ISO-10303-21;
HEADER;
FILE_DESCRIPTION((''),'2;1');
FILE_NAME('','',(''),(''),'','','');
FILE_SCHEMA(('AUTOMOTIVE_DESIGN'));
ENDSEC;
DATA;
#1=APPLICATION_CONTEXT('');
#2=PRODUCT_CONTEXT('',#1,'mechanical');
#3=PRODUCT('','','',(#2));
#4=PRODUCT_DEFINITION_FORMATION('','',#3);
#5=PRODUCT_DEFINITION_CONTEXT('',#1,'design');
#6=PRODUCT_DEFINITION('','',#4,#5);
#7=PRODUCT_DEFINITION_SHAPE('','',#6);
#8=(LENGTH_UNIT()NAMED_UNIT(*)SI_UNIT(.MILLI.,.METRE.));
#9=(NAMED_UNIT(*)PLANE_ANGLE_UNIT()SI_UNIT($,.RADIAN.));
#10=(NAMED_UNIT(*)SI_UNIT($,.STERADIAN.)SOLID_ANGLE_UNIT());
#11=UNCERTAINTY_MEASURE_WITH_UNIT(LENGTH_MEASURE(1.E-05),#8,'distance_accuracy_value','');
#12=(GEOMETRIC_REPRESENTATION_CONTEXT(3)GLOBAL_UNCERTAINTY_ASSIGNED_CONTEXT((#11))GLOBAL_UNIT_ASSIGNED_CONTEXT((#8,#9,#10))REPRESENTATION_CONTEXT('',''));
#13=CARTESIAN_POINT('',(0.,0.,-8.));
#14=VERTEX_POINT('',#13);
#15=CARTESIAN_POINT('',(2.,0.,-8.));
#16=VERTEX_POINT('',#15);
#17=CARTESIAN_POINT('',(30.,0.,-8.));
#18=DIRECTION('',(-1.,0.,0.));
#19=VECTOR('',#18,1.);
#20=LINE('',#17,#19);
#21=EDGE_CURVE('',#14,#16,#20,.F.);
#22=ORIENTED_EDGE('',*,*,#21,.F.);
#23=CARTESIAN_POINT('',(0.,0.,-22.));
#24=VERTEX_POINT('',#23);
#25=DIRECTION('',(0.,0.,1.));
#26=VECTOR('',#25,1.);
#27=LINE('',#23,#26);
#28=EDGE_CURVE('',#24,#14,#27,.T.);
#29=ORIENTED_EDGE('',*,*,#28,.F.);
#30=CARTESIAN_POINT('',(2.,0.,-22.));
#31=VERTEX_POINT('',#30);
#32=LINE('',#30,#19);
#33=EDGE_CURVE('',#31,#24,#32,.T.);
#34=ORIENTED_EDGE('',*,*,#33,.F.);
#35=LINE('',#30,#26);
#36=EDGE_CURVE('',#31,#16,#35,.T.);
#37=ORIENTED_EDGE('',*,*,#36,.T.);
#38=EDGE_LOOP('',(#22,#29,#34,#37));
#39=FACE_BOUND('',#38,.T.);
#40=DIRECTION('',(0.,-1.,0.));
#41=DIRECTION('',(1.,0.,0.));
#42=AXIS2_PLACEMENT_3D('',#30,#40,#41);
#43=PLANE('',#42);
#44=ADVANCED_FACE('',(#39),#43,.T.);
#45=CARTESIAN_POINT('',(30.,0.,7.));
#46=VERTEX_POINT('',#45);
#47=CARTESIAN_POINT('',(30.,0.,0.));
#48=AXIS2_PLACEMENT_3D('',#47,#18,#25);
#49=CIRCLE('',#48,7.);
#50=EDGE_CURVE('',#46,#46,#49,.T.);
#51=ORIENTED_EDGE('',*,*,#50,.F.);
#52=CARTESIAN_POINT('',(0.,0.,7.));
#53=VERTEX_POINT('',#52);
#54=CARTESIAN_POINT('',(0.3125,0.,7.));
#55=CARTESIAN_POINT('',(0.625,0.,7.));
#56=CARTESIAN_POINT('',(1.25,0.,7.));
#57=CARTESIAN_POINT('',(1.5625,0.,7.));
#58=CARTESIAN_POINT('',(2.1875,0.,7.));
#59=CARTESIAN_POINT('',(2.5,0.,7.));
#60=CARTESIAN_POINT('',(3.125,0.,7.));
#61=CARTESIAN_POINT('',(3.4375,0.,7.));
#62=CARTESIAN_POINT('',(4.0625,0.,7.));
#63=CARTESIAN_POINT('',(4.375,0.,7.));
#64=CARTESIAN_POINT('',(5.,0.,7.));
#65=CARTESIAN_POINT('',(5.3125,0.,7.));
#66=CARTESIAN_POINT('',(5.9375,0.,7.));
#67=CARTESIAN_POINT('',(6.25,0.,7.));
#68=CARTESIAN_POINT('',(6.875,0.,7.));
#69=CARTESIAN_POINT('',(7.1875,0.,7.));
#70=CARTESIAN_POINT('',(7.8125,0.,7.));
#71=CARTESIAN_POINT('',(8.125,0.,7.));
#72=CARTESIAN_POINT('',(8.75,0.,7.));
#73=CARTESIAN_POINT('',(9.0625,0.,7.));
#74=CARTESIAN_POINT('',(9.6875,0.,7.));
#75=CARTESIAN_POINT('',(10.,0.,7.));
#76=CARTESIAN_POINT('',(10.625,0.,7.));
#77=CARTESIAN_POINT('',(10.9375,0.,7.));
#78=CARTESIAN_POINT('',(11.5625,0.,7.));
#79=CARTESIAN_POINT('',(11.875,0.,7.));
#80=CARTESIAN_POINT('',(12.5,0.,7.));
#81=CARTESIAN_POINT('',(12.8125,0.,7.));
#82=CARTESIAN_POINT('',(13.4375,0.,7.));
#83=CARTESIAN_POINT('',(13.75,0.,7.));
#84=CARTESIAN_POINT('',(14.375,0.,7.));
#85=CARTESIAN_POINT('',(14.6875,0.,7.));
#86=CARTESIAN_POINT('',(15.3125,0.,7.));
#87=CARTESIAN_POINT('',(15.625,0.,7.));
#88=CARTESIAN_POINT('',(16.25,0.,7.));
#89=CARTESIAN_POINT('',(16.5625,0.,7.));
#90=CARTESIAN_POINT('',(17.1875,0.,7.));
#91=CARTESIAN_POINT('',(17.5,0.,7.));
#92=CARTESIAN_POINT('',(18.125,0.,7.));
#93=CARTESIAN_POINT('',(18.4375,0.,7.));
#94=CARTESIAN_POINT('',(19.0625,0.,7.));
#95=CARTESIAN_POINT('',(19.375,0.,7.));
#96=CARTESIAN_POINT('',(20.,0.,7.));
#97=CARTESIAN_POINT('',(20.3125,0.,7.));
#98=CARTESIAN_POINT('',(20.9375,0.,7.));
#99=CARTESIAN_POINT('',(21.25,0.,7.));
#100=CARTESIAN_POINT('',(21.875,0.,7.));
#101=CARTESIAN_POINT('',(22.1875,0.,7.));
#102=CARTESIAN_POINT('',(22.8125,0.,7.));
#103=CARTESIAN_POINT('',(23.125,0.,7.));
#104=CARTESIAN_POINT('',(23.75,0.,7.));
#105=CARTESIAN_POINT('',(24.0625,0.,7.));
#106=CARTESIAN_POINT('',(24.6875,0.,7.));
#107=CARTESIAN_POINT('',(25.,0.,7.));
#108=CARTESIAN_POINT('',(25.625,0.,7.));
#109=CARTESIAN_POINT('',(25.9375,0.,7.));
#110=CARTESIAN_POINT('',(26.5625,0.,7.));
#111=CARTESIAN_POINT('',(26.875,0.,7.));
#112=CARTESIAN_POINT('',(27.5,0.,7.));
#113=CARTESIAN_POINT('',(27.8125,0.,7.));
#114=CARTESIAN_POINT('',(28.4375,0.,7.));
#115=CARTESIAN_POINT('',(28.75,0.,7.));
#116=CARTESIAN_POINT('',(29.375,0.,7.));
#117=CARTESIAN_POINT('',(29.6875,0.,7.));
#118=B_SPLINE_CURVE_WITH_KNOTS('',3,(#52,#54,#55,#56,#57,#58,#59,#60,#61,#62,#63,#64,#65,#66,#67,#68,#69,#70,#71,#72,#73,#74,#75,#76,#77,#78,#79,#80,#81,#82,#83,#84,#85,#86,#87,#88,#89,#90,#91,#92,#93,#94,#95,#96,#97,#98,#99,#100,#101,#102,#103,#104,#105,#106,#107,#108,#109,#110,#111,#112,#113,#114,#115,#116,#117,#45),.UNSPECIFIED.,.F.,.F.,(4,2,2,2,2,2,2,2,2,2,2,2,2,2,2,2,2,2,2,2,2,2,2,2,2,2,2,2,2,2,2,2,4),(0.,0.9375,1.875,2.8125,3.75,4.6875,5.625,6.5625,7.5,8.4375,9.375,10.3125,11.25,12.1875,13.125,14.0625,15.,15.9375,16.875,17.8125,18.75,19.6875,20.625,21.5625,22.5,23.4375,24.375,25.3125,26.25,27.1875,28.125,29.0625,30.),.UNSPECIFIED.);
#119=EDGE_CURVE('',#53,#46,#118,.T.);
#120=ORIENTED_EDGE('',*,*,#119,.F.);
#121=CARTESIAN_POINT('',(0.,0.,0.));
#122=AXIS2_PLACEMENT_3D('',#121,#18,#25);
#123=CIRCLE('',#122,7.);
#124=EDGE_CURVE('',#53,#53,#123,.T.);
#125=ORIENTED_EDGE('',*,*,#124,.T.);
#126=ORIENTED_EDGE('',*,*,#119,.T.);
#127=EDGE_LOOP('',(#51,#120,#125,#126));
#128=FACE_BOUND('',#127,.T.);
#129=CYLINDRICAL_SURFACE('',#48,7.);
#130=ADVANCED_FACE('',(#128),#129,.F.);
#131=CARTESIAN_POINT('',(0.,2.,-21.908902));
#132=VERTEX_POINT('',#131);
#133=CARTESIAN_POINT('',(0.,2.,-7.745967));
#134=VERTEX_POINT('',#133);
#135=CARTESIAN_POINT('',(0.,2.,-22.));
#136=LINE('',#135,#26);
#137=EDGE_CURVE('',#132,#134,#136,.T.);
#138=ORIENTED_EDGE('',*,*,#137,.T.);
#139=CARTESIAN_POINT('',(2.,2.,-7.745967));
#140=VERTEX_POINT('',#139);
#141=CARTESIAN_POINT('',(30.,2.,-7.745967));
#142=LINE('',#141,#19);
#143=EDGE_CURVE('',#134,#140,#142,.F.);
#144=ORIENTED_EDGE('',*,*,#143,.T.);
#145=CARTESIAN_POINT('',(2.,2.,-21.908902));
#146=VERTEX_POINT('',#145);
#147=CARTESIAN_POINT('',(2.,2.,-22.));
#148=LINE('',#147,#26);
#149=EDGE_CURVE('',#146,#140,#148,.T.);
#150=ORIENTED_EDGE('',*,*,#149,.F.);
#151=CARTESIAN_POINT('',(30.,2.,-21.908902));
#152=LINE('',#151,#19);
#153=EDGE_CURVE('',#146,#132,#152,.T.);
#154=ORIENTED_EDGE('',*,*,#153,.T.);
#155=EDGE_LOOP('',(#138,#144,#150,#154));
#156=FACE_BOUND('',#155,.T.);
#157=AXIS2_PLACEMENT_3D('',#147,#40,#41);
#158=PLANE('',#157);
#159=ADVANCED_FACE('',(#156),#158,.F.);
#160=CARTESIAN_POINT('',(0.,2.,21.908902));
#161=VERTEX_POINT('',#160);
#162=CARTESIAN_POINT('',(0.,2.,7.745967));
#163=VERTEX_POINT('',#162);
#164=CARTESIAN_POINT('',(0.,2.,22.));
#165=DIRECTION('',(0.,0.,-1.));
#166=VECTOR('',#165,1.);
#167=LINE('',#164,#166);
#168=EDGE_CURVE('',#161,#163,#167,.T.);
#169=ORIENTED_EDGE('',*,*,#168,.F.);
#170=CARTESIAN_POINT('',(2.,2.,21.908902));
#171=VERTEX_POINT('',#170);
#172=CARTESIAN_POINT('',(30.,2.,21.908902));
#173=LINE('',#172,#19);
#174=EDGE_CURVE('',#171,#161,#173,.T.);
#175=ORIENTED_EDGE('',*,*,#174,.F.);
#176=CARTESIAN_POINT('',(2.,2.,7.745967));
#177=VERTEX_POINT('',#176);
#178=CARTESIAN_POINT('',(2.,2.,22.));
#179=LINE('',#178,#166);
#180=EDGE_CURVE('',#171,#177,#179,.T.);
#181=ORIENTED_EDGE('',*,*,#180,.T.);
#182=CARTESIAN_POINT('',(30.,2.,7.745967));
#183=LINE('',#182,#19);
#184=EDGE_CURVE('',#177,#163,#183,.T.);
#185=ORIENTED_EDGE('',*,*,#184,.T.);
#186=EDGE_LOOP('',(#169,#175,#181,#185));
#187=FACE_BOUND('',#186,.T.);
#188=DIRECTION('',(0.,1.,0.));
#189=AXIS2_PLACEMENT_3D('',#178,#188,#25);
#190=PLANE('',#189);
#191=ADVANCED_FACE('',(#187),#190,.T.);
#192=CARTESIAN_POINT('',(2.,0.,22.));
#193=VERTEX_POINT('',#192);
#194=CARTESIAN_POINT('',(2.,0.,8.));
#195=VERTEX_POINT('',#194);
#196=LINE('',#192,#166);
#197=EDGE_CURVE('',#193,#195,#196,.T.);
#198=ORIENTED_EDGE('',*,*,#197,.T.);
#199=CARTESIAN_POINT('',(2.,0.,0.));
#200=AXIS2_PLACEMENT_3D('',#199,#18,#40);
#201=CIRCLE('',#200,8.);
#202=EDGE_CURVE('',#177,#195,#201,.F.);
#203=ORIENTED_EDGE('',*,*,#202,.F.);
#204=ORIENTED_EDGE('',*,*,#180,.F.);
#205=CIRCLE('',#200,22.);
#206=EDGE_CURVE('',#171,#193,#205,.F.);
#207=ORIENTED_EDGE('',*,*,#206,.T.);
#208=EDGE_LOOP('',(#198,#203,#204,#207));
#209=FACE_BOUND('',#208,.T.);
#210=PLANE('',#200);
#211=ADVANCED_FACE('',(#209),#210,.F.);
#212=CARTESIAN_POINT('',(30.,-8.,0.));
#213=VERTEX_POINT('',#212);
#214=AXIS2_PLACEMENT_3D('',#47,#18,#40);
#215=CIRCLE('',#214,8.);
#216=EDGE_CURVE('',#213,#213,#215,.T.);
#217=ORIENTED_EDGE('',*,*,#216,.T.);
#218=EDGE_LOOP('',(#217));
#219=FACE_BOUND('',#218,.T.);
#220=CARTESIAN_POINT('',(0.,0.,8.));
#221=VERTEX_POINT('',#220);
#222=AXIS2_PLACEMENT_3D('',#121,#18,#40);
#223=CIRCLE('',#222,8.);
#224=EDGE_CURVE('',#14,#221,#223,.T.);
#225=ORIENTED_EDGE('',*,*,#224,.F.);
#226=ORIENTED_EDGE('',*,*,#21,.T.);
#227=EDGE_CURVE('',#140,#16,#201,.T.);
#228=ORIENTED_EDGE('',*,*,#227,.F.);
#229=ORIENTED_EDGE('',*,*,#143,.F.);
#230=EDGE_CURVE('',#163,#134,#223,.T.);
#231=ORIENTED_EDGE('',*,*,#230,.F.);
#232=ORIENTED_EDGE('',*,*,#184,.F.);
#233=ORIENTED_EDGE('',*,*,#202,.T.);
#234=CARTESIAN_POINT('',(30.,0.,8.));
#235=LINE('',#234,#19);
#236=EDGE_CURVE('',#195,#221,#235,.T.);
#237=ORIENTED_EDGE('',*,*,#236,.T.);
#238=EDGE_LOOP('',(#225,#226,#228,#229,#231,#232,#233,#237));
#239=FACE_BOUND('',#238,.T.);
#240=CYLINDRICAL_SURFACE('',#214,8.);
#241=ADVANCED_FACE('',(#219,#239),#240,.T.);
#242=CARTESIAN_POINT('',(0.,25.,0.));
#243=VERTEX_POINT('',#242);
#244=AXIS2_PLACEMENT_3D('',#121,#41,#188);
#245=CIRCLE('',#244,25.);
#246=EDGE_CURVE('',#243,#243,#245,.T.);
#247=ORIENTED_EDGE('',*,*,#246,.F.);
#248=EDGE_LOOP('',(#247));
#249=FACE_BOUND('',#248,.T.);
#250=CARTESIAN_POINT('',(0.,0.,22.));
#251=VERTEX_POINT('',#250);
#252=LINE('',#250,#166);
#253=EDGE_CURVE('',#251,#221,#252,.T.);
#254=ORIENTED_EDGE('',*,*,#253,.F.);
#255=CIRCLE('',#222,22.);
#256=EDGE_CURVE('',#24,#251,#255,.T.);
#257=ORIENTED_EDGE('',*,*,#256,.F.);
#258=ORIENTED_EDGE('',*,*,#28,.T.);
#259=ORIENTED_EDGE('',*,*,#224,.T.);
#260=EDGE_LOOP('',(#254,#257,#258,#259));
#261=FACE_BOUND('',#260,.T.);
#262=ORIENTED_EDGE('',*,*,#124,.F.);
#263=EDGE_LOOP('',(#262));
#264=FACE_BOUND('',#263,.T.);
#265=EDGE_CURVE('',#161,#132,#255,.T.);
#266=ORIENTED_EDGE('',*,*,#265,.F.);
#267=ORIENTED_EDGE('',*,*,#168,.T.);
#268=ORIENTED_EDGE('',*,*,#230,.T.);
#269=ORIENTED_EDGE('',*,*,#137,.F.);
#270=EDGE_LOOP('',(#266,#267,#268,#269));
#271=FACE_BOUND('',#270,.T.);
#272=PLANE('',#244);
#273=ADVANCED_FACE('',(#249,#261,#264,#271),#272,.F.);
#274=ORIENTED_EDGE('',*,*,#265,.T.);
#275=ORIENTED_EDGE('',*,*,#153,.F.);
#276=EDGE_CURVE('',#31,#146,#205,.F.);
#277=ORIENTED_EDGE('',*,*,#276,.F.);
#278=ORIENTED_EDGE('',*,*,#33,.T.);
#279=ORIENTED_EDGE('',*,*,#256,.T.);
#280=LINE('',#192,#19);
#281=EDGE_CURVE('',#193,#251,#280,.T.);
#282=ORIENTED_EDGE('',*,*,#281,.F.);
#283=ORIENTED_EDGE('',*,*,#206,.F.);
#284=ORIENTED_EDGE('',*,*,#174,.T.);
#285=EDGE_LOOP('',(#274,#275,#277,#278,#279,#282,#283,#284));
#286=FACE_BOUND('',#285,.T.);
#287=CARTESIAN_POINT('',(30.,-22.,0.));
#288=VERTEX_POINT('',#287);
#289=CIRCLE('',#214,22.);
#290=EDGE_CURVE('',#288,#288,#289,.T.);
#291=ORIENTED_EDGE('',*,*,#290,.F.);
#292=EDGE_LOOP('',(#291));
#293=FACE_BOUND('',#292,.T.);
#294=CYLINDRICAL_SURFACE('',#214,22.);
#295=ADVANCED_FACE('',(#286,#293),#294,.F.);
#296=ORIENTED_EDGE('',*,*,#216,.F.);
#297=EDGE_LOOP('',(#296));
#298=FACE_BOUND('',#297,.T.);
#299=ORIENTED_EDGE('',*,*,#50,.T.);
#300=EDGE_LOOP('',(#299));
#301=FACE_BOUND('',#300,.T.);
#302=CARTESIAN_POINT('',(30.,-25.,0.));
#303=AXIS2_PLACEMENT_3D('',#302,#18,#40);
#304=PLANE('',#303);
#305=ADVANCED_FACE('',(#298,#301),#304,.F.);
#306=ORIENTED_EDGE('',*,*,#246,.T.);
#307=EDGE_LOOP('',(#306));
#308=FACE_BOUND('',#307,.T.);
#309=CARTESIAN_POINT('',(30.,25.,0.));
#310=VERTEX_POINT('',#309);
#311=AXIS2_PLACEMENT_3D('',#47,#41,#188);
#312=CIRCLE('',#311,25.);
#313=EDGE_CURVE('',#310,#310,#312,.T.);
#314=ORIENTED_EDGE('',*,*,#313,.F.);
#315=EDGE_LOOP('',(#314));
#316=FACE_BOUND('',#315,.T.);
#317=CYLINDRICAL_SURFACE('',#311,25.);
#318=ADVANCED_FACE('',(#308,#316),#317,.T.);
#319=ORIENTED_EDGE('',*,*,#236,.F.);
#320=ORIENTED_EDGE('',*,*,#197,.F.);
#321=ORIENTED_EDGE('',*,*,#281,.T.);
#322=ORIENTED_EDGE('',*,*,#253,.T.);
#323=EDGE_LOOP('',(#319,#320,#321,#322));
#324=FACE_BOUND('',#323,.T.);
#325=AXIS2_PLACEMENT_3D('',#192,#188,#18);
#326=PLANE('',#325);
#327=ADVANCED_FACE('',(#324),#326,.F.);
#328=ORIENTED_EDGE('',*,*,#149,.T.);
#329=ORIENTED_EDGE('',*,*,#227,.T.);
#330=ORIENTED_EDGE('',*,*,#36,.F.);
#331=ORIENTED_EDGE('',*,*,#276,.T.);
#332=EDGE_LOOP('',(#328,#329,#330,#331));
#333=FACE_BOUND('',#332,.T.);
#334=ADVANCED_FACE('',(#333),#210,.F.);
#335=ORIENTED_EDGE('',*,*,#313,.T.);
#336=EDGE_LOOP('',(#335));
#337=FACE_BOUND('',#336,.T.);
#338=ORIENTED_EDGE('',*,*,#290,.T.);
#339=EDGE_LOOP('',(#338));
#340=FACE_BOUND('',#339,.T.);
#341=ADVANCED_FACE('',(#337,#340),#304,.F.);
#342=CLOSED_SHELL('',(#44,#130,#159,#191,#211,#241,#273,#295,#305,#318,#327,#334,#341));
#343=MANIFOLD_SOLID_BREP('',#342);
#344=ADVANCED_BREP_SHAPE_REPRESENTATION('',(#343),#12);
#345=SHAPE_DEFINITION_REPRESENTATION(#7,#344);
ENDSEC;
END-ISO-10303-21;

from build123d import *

# Parameters (mm, degrees)
ESBO_O1_W                = 30
ESBO_O1_H                = 25
ESBO_O2_R                = 7
CORTE_EXTRUS_O1_DEPTH    = 47.368092477
ESBO_O5_R                = 22
ESBO_O5_R_2              = 8
CORTE_EXTRUS_O3_DEPTH    = 47.368092477
ESBO_O6_W                = 15
ESBO_O6_H                = 2
RESSALTO_EXTRUS_O2_DEPTH = 2


with BuildPart() as part:
    # Esboço1 → Revolução1 (revolve)
    with BuildSketch(Plane.XY, mode=Mode.PRIVATE) as revolu_o1_sk:
        with Locations((15, -12.5)):
            Rectangle(ESBO_O1_W, ESBO_O1_H)
    revolve(revolu_o1_sk.sketch.rotate(Axis((30, 0, 0), (-1, 0, 0)), 180), axis=Axis((30, 0, 0), (-1, 0, 0)))

    # Esboço2 → Corte-extrusão1 (cut, through all)
    with BuildSketch(Plane.ZY):
        Circle(ESBO_O2_R)
    extrude(amount=-CORTE_EXTRUS_O1_DEPTH, mode=Mode.SUBTRACT)

    # Esboço5 → Corte-extrusão3 (cut, through all)
    with BuildSketch(Plane.ZY):
        with Locations(Location((0, 0, 0), (0, 0, 270))):
            Circle(ESBO_O5_R)
        with Locations(Location((0, 0, 0), (0, 0, 270))):
            Circle(ESBO_O5_R_2, mode=Mode.SUBTRACT)
    extrude(amount=-CORTE_EXTRUS_O3_DEPTH, mode=Mode.SUBTRACT)


with BuildPart() as corte_extrus_o3_piece_1:
    # of the separate pieces the step leaves, piece 1, a body of its own (corte_extrus_o3_pieces)
    add(part.part.solids().sort_by_distance((0, 25, 0))[0])



with BuildPart() as corte_extrus_o3_piece_2:
    # of the separate pieces the step leaves, piece 2, a body of its own (corte_extrus_o3_pieces)
    add(part.part.solids().sort_by_distance((0, -8, 0))[0])


with BuildPart() as corte_extrus_o3_piece_1_1:
    add(corte_extrus_o3_piece_1.part)

    add(corte_extrus_o3_piece_2.part)  # Ressalto-extrusão2 merges Corte-extrusão3 piece 2
    # Esboço6 → Ressalto-extrusão2 (add)
    with BuildSketch(Plane.ZY):
        with Locations((-14.5, 1)):
            Rectangle(ESBO_O6_W, ESBO_O6_H)
        with Locations((14.5, 1)):
            Rectangle(ESBO_O6_W, ESBO_O6_H)
    extrude(amount=-RESSALTO_EXTRUS_O2_DEPTH)


solid = corte_extrus_o3_piece_1_1.part
